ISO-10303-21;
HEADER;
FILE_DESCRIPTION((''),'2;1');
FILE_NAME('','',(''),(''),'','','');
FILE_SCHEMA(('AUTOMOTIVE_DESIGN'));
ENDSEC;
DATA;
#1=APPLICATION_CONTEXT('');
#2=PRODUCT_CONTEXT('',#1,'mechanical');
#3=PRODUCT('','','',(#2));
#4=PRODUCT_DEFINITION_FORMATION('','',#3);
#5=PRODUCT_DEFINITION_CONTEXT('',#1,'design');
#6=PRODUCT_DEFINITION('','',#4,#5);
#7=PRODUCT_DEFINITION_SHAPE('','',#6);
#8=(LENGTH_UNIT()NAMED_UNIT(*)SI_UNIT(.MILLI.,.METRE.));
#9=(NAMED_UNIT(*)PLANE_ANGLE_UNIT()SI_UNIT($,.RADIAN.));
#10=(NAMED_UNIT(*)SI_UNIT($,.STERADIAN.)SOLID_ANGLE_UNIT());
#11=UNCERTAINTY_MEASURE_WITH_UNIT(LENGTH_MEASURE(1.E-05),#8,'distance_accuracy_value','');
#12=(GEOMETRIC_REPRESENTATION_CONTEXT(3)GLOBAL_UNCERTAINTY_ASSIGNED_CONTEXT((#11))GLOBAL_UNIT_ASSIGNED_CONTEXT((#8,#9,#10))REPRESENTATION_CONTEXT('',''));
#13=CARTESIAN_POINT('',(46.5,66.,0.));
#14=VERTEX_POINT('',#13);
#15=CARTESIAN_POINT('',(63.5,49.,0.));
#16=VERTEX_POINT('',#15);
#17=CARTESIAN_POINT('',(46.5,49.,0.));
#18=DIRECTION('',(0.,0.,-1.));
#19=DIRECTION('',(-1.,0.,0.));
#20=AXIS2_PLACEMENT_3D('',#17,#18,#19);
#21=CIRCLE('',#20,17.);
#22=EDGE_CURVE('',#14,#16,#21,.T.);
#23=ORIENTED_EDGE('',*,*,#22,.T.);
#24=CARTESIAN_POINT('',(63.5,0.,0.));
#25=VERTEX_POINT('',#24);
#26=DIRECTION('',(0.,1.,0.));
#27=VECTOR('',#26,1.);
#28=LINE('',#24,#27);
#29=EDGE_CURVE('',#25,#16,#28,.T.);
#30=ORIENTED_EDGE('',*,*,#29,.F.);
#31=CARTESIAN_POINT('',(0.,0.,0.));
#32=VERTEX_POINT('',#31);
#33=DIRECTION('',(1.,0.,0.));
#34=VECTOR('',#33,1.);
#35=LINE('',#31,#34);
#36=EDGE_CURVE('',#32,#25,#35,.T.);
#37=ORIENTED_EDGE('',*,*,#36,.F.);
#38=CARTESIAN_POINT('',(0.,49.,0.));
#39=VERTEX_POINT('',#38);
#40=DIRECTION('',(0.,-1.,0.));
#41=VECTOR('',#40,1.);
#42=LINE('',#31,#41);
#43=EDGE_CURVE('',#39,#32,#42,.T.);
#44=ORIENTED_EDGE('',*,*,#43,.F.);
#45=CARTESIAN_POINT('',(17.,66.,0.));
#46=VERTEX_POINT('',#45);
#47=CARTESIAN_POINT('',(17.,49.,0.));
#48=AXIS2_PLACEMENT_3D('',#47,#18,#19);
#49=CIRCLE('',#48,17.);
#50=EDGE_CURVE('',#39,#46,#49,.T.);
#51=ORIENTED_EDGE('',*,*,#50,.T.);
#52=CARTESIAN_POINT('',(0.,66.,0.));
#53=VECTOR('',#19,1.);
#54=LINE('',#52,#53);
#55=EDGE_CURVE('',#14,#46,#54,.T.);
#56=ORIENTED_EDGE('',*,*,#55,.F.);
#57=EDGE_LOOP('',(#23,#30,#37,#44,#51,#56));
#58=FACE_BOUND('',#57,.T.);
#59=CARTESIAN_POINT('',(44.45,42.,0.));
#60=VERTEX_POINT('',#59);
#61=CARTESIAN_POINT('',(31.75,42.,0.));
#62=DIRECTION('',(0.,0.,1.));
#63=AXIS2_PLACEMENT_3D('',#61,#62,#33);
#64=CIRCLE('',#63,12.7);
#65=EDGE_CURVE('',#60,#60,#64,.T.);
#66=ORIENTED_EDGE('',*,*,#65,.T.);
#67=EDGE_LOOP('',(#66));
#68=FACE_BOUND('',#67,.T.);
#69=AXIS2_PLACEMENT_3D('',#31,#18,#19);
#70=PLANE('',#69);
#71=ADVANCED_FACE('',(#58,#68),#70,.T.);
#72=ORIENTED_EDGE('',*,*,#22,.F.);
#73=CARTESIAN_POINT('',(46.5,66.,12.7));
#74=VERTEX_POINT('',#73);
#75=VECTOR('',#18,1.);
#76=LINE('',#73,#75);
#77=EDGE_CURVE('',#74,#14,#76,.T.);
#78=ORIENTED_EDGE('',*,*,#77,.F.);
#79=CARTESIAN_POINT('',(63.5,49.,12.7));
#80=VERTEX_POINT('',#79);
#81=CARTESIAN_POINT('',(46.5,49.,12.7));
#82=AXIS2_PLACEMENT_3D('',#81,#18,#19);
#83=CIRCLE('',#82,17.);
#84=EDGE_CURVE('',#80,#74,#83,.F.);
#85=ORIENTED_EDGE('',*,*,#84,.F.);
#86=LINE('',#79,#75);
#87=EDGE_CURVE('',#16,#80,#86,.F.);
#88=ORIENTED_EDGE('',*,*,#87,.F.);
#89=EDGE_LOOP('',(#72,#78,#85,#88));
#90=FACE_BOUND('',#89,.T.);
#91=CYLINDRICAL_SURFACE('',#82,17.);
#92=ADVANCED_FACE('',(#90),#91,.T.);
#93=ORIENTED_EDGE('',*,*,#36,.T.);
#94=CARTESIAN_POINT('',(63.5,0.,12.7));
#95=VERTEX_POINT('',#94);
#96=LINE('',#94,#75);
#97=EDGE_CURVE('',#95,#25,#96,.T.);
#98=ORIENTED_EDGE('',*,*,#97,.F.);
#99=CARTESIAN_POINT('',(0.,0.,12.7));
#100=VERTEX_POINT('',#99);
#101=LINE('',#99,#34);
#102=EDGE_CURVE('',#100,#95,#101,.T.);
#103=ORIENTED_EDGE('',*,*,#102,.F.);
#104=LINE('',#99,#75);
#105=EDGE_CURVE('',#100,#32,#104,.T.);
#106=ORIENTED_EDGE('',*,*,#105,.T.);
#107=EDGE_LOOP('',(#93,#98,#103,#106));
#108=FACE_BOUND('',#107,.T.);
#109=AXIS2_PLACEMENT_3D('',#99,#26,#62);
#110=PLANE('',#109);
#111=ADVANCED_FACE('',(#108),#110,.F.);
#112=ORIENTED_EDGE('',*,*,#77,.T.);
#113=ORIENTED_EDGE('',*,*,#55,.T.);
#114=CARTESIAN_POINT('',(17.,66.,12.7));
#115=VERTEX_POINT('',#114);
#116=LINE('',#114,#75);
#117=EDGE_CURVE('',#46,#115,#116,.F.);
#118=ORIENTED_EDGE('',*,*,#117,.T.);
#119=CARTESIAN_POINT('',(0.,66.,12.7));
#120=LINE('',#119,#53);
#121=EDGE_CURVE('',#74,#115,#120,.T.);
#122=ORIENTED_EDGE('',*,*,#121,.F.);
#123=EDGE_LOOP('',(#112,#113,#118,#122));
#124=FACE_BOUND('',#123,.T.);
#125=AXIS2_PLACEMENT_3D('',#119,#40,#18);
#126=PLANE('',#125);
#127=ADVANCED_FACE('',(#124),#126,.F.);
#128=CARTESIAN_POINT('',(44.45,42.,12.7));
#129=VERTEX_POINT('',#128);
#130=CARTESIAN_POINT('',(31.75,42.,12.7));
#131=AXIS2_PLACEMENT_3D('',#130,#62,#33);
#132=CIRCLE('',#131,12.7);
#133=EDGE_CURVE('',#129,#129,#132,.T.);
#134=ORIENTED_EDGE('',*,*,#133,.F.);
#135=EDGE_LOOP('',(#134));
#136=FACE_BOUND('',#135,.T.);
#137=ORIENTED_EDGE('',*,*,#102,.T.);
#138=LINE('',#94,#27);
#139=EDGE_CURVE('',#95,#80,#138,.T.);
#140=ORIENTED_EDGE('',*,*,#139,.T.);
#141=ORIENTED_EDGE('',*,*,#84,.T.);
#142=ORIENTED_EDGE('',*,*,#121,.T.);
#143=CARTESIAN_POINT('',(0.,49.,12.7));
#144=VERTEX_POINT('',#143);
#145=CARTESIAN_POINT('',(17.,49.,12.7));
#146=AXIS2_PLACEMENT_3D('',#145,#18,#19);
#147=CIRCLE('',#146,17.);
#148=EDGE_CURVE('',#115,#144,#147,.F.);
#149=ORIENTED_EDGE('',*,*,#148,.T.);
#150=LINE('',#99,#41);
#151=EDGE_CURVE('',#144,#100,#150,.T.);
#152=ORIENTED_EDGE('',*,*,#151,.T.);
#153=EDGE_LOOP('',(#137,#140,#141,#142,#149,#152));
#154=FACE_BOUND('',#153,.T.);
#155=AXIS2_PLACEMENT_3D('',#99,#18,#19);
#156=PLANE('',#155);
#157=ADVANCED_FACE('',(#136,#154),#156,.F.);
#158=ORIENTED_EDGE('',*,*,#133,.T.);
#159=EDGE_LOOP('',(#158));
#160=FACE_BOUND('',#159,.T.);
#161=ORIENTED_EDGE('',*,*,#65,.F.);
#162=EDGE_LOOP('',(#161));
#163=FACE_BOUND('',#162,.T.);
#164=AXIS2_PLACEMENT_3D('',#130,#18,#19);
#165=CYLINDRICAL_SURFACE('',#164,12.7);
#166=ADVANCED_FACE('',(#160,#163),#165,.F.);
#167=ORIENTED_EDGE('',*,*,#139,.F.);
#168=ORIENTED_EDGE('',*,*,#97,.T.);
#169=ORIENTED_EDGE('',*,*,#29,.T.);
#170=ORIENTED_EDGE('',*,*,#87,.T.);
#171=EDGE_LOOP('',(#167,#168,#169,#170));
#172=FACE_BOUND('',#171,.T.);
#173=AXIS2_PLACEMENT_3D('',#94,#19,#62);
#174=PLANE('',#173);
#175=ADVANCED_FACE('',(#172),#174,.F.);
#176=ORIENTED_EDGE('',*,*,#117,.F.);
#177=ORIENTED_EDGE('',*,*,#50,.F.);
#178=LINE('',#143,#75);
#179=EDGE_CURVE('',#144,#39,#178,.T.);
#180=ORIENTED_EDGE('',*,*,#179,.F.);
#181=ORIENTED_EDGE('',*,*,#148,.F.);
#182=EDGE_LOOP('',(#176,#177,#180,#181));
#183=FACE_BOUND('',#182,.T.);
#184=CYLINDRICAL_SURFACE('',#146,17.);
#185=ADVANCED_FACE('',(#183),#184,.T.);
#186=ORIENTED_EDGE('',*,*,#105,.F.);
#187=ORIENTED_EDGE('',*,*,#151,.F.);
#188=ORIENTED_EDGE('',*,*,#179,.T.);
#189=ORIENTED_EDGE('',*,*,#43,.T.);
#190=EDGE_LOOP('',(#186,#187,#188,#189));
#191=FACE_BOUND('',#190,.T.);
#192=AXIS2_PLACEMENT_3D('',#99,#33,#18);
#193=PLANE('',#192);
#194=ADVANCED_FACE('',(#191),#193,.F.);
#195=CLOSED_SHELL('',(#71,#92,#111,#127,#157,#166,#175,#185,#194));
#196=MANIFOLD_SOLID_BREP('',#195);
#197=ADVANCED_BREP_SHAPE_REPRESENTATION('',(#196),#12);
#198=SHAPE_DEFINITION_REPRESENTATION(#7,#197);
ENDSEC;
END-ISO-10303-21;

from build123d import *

# Parameters (mm, degrees)
CROQUIS1_W              = 63.5
CROQUIS1_H              = 66
CROQUIS1_R              = 12.7
SALIENTE_EXTRUIR1_DEPTH = 12.7
REDONDEO1_R             = 17


with BuildPart() as part:
    # Croquis1 → Saliente-Extruir1 (new body)
    with BuildSketch(Plane.XY):
        with Locations((31.75, 33)):
            Rectangle(CROQUIS1_W, CROQUIS1_H)
        with Locations((31.75, 42)):
            Circle(CROQUIS1_R, mode=Mode.SUBTRACT)
    extrude(amount=SALIENTE_EXTRUIR1_DEPTH)

    # Redondeo1
    redondeo1_edges = [part.edges().sort_by_distance(p)[0] for p in [
        (0, 66, 6.35),
        (63.5, 66, 6.35),
    ]]
    fillet(redondeo1_edges, radius=REDONDEO1_R)


solid = part.part
